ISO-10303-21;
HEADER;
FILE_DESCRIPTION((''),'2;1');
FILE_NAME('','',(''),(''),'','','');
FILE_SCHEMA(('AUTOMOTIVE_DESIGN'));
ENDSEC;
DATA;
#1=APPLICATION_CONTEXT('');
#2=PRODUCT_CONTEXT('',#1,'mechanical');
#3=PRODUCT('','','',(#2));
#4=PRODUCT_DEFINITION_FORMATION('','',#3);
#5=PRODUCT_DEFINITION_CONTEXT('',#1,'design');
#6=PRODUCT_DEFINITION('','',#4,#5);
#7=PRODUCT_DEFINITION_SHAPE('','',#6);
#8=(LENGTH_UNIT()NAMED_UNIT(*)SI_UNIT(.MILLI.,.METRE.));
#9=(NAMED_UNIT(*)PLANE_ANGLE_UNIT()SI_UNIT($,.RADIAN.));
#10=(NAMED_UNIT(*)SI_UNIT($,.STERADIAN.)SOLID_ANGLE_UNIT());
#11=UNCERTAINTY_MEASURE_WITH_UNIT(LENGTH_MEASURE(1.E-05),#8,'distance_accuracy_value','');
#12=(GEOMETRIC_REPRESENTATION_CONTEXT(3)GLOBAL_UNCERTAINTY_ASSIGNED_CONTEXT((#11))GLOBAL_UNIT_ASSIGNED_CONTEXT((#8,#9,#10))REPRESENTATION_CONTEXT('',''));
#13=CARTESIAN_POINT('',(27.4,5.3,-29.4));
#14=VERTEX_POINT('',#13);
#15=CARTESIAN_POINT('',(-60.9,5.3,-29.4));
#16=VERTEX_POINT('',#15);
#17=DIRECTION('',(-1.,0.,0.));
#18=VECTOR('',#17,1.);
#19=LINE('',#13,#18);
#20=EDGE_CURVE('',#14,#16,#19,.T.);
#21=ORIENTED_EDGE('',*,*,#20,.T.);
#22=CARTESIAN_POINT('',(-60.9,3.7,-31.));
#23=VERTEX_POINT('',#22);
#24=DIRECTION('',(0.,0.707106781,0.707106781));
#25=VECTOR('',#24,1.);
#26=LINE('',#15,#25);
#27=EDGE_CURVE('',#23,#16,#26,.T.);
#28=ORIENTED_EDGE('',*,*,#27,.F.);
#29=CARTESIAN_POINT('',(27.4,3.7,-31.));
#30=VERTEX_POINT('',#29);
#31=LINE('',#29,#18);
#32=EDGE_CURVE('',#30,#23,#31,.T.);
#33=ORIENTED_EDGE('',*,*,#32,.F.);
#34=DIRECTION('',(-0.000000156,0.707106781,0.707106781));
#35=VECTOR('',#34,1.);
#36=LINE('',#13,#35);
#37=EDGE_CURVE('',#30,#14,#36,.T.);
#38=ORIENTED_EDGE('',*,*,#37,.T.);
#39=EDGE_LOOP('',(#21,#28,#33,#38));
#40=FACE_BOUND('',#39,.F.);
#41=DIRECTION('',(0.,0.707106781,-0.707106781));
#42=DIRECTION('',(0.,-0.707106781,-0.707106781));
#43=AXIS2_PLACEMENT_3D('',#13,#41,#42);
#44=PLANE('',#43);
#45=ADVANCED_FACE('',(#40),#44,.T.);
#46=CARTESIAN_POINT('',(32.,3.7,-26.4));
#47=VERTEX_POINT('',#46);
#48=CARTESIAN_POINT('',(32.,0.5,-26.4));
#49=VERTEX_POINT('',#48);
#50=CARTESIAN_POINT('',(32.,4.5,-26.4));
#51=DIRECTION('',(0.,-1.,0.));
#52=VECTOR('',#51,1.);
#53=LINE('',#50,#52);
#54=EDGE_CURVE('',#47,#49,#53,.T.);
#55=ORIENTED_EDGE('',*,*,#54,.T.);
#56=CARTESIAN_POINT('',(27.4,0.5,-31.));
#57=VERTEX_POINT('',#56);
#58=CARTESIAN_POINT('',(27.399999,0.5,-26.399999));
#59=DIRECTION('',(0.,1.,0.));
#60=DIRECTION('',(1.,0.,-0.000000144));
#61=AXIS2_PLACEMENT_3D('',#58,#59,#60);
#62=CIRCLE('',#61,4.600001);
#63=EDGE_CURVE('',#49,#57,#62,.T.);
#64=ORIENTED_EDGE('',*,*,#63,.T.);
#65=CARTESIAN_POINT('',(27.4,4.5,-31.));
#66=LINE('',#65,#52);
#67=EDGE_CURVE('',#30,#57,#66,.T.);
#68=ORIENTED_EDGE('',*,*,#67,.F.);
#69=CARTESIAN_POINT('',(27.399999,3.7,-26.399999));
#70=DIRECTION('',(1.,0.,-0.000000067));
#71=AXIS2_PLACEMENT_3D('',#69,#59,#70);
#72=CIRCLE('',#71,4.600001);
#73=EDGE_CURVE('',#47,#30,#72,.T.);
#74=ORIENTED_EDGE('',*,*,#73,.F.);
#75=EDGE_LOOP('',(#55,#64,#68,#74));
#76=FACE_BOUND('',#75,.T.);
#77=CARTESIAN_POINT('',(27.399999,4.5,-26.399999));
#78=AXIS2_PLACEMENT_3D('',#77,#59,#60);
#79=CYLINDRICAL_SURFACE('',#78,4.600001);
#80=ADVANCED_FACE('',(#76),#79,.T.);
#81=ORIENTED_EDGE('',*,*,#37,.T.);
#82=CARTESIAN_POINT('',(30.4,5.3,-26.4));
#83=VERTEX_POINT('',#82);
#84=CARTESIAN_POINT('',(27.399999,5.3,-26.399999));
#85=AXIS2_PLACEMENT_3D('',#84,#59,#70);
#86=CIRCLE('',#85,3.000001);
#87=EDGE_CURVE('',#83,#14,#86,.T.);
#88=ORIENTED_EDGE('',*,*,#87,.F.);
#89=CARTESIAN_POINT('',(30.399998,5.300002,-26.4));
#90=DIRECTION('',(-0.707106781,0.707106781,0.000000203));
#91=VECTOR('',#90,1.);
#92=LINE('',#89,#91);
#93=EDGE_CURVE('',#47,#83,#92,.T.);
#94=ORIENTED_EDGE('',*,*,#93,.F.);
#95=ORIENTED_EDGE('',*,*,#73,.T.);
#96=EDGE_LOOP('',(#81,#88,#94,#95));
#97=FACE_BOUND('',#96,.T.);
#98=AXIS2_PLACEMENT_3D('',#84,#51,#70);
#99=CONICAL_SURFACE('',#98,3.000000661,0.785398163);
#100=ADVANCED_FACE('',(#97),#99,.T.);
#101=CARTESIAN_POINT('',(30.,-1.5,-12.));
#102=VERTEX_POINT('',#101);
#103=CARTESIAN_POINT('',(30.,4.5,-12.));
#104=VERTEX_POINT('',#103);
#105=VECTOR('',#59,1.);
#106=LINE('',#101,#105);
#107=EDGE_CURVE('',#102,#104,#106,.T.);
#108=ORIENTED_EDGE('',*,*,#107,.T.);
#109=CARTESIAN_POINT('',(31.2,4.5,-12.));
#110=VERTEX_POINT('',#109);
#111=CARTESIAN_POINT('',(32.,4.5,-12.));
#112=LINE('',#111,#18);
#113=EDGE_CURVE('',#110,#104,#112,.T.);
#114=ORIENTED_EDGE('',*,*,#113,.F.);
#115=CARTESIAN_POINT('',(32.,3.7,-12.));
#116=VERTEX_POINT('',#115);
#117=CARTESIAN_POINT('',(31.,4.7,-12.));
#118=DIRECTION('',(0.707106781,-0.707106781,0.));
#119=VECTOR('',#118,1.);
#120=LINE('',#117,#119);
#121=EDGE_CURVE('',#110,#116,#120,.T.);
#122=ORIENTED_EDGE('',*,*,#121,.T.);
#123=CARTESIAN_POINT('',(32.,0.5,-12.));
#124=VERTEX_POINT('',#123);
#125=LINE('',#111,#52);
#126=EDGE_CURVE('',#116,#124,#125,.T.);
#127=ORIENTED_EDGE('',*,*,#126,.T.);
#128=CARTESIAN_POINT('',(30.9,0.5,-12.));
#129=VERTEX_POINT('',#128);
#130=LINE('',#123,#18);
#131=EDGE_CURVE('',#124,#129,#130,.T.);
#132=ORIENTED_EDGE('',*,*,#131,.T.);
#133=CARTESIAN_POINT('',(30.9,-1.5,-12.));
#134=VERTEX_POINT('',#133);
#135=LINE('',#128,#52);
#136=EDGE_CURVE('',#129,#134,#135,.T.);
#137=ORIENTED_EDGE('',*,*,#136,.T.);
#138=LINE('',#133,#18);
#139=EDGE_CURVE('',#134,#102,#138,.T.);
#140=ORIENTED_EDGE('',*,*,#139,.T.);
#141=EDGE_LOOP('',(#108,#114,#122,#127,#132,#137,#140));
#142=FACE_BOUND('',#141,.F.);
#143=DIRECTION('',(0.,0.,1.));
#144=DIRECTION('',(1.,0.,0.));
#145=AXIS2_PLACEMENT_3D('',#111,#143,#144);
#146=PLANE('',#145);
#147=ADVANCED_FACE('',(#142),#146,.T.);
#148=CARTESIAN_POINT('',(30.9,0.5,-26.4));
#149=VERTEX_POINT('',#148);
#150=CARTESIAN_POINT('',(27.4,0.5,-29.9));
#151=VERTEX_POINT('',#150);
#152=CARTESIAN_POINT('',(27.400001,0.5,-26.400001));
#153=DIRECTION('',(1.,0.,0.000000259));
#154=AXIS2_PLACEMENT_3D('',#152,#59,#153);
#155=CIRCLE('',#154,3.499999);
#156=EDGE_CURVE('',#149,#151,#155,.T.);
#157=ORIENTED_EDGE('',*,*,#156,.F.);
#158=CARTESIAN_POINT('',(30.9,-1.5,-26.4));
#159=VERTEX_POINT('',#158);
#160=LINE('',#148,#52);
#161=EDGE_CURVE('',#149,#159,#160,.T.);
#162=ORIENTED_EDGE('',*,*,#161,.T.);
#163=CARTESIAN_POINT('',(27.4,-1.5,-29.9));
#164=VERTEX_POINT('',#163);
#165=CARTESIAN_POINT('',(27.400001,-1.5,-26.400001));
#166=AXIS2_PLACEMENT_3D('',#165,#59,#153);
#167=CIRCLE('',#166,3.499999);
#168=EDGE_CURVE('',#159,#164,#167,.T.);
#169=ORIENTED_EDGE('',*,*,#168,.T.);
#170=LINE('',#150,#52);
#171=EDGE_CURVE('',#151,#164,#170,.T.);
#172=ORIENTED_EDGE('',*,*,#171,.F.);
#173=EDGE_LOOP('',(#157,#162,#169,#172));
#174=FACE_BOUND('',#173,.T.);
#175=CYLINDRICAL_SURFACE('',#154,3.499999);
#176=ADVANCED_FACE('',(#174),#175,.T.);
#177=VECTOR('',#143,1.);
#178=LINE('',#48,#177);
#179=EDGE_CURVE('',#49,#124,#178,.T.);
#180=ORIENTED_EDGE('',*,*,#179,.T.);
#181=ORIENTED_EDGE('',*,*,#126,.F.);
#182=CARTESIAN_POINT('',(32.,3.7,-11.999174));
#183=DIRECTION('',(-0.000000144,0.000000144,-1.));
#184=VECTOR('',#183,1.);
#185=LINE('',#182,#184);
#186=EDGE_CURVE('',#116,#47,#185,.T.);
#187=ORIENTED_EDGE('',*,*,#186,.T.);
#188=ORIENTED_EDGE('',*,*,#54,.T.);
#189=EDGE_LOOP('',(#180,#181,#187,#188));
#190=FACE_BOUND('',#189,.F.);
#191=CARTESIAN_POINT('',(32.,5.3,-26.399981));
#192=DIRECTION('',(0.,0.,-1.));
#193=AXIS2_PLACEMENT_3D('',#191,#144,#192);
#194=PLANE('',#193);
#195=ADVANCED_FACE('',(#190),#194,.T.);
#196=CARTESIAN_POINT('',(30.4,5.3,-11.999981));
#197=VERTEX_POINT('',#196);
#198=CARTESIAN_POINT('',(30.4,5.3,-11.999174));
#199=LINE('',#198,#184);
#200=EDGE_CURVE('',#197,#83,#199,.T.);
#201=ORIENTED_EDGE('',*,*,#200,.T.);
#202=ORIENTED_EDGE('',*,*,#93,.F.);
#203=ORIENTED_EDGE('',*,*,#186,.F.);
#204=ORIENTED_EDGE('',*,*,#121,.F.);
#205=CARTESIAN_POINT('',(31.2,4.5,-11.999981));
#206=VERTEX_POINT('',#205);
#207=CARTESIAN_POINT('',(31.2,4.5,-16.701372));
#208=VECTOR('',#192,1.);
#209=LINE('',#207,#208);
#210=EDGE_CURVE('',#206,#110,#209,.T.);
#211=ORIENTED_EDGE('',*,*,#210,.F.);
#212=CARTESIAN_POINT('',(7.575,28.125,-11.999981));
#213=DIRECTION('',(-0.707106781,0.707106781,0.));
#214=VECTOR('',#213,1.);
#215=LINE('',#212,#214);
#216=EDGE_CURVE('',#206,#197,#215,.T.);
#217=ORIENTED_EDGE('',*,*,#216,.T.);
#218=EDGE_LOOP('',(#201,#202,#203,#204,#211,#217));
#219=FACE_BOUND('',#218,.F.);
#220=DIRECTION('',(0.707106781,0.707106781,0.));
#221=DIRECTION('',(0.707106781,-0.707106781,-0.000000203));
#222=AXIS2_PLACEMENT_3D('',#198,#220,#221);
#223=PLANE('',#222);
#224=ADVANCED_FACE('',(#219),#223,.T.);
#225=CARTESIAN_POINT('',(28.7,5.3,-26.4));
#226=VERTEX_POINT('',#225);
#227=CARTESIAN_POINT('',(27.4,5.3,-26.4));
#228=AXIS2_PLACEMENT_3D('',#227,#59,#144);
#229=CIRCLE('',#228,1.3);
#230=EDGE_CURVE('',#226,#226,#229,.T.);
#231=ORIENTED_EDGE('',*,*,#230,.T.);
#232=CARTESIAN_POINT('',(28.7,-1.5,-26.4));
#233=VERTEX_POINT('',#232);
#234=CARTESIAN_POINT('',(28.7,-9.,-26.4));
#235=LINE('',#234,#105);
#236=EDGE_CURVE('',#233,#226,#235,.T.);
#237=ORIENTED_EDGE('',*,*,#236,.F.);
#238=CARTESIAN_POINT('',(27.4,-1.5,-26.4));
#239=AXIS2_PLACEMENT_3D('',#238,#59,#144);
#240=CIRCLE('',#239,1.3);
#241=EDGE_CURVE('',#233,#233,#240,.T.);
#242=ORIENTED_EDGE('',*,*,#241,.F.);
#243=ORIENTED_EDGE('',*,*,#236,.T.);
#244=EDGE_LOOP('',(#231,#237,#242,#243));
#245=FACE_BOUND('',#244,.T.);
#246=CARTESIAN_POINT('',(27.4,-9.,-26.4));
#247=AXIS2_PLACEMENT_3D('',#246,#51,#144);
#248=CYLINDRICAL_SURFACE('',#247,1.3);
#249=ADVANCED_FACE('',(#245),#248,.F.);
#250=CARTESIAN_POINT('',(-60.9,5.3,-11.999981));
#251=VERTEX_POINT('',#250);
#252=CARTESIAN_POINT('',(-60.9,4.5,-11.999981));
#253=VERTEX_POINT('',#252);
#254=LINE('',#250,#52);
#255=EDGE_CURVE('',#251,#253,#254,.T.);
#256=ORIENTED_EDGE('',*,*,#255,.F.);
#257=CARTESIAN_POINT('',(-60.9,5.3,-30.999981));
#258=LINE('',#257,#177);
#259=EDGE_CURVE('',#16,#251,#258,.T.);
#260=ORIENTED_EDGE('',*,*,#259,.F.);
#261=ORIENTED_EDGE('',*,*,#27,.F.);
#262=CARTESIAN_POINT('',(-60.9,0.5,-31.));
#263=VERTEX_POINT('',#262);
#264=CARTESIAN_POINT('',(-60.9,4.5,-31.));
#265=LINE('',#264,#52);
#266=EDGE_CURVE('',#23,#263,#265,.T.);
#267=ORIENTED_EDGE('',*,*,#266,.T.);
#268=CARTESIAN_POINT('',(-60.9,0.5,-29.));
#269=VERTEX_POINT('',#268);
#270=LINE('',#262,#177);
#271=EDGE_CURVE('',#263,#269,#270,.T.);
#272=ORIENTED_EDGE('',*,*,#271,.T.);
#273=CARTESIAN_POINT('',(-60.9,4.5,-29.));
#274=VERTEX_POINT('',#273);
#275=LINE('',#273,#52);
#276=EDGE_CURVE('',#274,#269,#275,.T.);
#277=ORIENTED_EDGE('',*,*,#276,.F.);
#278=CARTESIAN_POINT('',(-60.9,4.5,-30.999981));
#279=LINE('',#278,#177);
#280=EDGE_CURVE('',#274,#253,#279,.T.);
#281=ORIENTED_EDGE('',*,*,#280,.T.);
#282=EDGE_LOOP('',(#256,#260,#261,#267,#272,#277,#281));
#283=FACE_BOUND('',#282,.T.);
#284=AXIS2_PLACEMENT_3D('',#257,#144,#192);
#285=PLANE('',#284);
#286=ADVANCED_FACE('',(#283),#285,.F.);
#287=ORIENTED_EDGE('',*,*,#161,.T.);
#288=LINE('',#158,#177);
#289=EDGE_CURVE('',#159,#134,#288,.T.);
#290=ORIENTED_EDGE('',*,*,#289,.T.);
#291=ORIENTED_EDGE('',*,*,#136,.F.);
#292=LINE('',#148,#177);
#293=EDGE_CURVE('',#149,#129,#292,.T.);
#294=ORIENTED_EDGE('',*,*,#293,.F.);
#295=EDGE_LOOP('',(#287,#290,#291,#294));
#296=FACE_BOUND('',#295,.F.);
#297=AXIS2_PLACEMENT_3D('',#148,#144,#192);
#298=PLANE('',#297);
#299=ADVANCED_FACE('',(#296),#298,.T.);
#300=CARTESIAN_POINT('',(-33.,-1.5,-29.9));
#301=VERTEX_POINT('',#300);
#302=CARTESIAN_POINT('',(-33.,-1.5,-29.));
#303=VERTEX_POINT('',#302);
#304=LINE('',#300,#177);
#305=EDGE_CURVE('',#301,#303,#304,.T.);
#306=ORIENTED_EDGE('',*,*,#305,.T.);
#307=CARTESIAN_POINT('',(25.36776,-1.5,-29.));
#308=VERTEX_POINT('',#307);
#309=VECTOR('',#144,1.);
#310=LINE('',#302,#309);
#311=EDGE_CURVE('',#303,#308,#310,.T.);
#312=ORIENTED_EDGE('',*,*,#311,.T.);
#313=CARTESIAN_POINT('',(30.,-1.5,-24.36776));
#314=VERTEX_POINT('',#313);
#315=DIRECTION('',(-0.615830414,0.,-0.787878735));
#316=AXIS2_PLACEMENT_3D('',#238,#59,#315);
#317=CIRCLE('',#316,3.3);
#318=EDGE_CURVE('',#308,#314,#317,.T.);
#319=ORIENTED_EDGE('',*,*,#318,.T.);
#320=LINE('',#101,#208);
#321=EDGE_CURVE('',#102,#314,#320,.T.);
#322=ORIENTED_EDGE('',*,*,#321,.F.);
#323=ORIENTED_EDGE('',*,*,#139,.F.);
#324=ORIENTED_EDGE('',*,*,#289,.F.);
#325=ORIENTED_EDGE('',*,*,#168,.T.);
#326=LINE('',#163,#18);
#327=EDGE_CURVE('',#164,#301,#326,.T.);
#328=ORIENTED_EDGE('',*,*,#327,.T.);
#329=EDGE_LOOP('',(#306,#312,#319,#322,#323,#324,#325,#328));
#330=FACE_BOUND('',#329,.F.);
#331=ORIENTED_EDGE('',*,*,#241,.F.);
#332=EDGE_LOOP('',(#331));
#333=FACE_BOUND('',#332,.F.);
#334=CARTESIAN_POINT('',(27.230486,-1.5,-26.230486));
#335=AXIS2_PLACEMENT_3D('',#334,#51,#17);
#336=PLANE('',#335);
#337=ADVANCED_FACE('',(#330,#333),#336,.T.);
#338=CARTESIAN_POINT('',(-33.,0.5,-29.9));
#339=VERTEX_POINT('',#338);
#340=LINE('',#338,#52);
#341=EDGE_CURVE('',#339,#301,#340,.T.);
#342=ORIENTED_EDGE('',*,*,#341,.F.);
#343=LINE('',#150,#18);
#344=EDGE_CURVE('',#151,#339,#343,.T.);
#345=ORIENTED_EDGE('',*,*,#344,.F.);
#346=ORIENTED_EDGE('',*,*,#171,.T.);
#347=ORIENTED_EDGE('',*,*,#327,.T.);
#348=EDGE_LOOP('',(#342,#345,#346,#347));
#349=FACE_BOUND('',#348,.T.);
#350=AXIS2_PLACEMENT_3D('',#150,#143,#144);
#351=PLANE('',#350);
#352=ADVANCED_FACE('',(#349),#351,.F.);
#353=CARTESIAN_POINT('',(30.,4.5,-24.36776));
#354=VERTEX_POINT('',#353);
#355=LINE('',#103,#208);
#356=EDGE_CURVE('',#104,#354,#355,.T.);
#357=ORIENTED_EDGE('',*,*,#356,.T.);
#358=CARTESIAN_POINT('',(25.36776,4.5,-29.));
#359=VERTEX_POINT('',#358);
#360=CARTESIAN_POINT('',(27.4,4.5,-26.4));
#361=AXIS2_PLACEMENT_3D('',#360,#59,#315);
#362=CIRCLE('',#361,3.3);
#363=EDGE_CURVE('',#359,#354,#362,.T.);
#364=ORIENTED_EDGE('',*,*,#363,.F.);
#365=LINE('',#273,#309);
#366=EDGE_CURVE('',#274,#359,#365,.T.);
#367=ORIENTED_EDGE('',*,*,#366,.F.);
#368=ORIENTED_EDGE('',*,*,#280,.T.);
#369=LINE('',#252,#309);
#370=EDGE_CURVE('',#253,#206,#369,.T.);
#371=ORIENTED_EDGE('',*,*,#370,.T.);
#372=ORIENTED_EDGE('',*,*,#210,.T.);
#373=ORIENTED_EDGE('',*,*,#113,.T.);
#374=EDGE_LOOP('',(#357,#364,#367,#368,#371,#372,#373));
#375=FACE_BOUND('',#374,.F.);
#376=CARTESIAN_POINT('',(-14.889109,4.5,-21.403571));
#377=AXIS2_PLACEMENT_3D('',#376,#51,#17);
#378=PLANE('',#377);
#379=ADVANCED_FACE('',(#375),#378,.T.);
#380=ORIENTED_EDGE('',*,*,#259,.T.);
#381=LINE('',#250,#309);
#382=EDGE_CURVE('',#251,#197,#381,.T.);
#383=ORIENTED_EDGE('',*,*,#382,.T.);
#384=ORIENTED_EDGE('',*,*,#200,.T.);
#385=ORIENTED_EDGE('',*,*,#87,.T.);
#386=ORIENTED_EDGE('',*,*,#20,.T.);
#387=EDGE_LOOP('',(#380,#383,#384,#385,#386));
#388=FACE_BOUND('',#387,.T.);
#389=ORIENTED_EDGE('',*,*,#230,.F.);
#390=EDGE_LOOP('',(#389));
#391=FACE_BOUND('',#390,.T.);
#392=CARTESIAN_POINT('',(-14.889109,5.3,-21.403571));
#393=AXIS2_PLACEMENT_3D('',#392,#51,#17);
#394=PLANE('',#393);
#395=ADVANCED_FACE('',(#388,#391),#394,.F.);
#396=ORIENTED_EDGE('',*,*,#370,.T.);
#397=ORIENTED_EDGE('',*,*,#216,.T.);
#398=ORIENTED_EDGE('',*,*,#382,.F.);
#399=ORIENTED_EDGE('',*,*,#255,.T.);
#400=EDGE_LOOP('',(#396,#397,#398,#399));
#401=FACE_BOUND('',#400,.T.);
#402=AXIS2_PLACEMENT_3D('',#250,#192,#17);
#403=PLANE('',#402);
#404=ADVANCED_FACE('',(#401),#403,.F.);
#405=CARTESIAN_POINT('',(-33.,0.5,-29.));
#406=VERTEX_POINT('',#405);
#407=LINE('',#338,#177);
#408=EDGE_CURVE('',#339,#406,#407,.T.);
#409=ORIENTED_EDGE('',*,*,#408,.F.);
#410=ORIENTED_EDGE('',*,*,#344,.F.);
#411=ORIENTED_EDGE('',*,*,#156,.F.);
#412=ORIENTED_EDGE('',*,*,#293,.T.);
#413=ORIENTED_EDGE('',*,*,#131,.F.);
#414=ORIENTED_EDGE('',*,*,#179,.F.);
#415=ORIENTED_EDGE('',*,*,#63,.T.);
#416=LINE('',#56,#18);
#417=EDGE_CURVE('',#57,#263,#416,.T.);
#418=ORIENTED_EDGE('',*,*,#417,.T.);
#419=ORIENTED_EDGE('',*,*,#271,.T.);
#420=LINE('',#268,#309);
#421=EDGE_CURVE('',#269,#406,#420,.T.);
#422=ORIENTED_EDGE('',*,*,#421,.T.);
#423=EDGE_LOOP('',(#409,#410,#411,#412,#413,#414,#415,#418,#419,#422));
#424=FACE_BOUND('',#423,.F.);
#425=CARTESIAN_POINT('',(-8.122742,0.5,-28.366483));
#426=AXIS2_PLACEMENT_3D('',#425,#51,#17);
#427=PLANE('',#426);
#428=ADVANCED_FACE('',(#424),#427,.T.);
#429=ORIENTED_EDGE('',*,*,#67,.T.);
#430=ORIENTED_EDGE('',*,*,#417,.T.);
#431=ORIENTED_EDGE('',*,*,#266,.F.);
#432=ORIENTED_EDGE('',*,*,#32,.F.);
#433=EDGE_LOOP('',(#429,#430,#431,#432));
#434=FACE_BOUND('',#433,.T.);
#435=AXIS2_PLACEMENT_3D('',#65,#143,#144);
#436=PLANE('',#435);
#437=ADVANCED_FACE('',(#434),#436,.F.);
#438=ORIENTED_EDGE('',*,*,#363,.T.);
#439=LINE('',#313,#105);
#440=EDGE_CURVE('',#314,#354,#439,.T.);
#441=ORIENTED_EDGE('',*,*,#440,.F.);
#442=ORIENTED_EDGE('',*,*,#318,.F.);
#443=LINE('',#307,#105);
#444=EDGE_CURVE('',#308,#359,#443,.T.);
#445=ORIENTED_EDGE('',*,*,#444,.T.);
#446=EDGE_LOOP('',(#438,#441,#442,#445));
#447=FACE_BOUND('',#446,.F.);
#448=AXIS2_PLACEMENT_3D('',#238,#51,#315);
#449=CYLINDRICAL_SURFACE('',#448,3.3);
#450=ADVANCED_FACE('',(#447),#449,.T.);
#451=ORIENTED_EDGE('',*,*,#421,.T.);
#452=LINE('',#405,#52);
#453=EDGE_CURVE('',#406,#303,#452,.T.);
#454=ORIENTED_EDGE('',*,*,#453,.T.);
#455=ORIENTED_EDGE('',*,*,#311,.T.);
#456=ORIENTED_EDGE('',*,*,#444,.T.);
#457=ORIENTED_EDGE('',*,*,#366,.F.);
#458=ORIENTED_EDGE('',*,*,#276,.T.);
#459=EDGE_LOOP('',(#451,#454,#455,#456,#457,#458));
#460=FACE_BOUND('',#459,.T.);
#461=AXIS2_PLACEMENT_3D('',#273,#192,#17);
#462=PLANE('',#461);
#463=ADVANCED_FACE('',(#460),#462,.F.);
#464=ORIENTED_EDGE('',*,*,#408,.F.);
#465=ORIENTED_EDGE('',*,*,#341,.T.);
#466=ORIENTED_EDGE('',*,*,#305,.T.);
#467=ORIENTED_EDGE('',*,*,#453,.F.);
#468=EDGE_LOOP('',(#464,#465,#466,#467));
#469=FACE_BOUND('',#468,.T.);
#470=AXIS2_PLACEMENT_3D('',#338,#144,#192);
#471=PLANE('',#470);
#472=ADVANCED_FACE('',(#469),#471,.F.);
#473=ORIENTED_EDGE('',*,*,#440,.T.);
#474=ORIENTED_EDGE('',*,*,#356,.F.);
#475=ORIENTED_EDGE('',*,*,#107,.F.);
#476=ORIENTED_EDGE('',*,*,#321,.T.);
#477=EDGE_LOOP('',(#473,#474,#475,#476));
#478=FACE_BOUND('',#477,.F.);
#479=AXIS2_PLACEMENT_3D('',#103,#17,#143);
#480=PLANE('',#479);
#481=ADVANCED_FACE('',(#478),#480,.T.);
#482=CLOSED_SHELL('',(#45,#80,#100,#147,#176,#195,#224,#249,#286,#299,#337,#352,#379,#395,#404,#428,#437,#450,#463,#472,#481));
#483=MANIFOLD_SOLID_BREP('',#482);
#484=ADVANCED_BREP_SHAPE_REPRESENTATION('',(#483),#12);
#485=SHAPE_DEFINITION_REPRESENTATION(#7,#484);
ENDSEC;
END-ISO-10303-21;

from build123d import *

# Parameters (mm, degrees)
SKETCH005_R      = 1.3
EXTRUDE003_DEPTH = 20
EXTRUDE039_DEPTH = 4
EXTRUDE042_DEPTH = 0.8
EXTRUDE002_DEPTH = 6
EXTRUDE037_DEPTH = 2


with BuildPart() as sweep001:
    # Sweep001: sweep along a path in Sketch034
    with BuildLine(Plane.XZ.offset(10)) as sweep001_path:
        Line((32, 11.999174), (32, 26.4))
        ThreePointArc((32, 26.4), (30.652691, 29.652691), (27.4, 31))
        Line((27.4, 31), (-60.9, 31))
    # Sketch035 → Sweep001 (sweep)
    with BuildSketch(Plane.YZ):
        Polygon((5.3, 29.4), (3.7, 31), (3.7, 32), (6, 32), (6, 29.4), align=None)
    sweep(path=sweep001_path.line)


with BuildPart() as fusion030:
    # Sketch005 → Extrude003 (new body)
    with BuildSketch(Plane.XZ.offset(5)):
        with Locations((27.4, 26.4)):
            Circle(SKETCH005_R)
    extrude(amount=-EXTRUDE003_DEPTH)


with BuildPart() as fusion030_1:
    # Extrude003 placement: moved
    add(fusion030.part.moved(Location((0, -4, 0))))

    # Fusion030: union Sweep001
    add(sweep001.part)


with BuildPart() as top003:
    # Sketch028 → Extrude039 (new body)
    with BuildSketch(Plane.XZ.offset(10)):
        with BuildLine():
            ThreePointArc((32, 26.4), (30.652691, 29.652691), (27.4, 31))
            Line((27.4, 31), (-60.9, 31))
            Line((-60.9, 31), (-60.9, 29))
            Line((-60.9, 29), (27.4, 29))
            ThreePointArc((30, 26.4), (29.238478, 28.238478), (27.4, 29))
            Line((30, 12), (30, 26.4))
            Line((32, 12), (30, 12))
            Line((32, 26.4), (32, 12))
        make_face()
    extrude(amount=EXTRUDE039_DEPTH)


with BuildPart() as top003_1:
    # Extrude039 placement: moved
    add(top003.part.moved(Location((0, 14.5, 0))))


with BuildPart() as top002:
    # Sketch031 → Extrude042 (new body)
    with BuildSketch(Plane.XZ.offset(10)):
        with BuildLine():
            ThreePointArc((32, 26.399981), (30.652691, 29.652672), (27.4, 30.999981))
            Line((27.4, 30.999981), (-60.9, 30.999981))
            Line((-60.9, 30.999981), (-60.9, 11.999981))
            Line((-60.9, 11.999981), (32, 11.999981))
            Line((32, 26.399981), (32, 11.999981))
        make_face()
    extrude(amount=EXTRUDE042_DEPTH)


with BuildPart() as top002_1:
    # Extrude042 placement: moved
    add(top002.part.moved(Location((0, 15.3, 0))))


with BuildPart() as screw_hole_top:
    # Sketch004 → Extrude002 (new body)
    with BuildSketch(Plane.XZ.offset(10)):
        with BuildLine():
            ThreePointArc((25.36776, 29), (25.066548, 24.066548), (30, 24.36776))
            Line((30, 24.36776), (30, 26.4))
            ThreePointArc((30, 26.4), (29.238478, 28.238478), (27.4, 29))
            Line((25.36776, 29), (27.4, 29))
        make_face()
    extrude(amount=-EXTRUDE002_DEPTH)


with BuildPart() as screw_hole_top_1:
    # Extrude002 placement: moved
    add(screw_hole_top.part.moved(Location((0, 8.5, 0))))


with BuildPart() as top:
    # Sketch029 → Extrude037 (new body)
    with BuildSketch(Plane.XZ.offset(10)):
        with BuildLine():
            ThreePointArc((30.9, 26.4), (29.874874, 28.874874), (27.4, 29.9))
            Line((27.4, 29.9), (-33, 29.9))
            Line((-33, 29.9), (-33, 29))
            Line((-33, 29), (27.4, 29))
            ThreePointArc((30, 26.4), (29.238478, 28.238478), (27.4, 29))
            Line((30, 12), (30, 26.4))
            Line((30.9, 12), (30, 12))
            Line((30.9, 26.4), (30.9, 12))
        make_face()
    extrude(amount=EXTRUDE037_DEPTH)


with BuildPart() as top_1:
    # Extrude037 placement: moved
    add(top.part.moved(Location((0, 10.5, 0))))

    # Fusion028: union top003, top002, screw hole top
    add(top003_1.part)
    add(top002_1.part)
    add(screw_hole_top_1.part)

    # Cut024: cut Fusion030
    add(fusion030_1.part, mode=Mode.SUBTRACT)


with BuildPart() as part_mirroring001:
    # Part__Mirroring001: instance of top
    add(top_1.part.mirror(Plane(origin=(0, 0, 0), x_dir=(0, 1, 0), z_dir=(0, 0, 1))))


solid = part_mirroring001.part
